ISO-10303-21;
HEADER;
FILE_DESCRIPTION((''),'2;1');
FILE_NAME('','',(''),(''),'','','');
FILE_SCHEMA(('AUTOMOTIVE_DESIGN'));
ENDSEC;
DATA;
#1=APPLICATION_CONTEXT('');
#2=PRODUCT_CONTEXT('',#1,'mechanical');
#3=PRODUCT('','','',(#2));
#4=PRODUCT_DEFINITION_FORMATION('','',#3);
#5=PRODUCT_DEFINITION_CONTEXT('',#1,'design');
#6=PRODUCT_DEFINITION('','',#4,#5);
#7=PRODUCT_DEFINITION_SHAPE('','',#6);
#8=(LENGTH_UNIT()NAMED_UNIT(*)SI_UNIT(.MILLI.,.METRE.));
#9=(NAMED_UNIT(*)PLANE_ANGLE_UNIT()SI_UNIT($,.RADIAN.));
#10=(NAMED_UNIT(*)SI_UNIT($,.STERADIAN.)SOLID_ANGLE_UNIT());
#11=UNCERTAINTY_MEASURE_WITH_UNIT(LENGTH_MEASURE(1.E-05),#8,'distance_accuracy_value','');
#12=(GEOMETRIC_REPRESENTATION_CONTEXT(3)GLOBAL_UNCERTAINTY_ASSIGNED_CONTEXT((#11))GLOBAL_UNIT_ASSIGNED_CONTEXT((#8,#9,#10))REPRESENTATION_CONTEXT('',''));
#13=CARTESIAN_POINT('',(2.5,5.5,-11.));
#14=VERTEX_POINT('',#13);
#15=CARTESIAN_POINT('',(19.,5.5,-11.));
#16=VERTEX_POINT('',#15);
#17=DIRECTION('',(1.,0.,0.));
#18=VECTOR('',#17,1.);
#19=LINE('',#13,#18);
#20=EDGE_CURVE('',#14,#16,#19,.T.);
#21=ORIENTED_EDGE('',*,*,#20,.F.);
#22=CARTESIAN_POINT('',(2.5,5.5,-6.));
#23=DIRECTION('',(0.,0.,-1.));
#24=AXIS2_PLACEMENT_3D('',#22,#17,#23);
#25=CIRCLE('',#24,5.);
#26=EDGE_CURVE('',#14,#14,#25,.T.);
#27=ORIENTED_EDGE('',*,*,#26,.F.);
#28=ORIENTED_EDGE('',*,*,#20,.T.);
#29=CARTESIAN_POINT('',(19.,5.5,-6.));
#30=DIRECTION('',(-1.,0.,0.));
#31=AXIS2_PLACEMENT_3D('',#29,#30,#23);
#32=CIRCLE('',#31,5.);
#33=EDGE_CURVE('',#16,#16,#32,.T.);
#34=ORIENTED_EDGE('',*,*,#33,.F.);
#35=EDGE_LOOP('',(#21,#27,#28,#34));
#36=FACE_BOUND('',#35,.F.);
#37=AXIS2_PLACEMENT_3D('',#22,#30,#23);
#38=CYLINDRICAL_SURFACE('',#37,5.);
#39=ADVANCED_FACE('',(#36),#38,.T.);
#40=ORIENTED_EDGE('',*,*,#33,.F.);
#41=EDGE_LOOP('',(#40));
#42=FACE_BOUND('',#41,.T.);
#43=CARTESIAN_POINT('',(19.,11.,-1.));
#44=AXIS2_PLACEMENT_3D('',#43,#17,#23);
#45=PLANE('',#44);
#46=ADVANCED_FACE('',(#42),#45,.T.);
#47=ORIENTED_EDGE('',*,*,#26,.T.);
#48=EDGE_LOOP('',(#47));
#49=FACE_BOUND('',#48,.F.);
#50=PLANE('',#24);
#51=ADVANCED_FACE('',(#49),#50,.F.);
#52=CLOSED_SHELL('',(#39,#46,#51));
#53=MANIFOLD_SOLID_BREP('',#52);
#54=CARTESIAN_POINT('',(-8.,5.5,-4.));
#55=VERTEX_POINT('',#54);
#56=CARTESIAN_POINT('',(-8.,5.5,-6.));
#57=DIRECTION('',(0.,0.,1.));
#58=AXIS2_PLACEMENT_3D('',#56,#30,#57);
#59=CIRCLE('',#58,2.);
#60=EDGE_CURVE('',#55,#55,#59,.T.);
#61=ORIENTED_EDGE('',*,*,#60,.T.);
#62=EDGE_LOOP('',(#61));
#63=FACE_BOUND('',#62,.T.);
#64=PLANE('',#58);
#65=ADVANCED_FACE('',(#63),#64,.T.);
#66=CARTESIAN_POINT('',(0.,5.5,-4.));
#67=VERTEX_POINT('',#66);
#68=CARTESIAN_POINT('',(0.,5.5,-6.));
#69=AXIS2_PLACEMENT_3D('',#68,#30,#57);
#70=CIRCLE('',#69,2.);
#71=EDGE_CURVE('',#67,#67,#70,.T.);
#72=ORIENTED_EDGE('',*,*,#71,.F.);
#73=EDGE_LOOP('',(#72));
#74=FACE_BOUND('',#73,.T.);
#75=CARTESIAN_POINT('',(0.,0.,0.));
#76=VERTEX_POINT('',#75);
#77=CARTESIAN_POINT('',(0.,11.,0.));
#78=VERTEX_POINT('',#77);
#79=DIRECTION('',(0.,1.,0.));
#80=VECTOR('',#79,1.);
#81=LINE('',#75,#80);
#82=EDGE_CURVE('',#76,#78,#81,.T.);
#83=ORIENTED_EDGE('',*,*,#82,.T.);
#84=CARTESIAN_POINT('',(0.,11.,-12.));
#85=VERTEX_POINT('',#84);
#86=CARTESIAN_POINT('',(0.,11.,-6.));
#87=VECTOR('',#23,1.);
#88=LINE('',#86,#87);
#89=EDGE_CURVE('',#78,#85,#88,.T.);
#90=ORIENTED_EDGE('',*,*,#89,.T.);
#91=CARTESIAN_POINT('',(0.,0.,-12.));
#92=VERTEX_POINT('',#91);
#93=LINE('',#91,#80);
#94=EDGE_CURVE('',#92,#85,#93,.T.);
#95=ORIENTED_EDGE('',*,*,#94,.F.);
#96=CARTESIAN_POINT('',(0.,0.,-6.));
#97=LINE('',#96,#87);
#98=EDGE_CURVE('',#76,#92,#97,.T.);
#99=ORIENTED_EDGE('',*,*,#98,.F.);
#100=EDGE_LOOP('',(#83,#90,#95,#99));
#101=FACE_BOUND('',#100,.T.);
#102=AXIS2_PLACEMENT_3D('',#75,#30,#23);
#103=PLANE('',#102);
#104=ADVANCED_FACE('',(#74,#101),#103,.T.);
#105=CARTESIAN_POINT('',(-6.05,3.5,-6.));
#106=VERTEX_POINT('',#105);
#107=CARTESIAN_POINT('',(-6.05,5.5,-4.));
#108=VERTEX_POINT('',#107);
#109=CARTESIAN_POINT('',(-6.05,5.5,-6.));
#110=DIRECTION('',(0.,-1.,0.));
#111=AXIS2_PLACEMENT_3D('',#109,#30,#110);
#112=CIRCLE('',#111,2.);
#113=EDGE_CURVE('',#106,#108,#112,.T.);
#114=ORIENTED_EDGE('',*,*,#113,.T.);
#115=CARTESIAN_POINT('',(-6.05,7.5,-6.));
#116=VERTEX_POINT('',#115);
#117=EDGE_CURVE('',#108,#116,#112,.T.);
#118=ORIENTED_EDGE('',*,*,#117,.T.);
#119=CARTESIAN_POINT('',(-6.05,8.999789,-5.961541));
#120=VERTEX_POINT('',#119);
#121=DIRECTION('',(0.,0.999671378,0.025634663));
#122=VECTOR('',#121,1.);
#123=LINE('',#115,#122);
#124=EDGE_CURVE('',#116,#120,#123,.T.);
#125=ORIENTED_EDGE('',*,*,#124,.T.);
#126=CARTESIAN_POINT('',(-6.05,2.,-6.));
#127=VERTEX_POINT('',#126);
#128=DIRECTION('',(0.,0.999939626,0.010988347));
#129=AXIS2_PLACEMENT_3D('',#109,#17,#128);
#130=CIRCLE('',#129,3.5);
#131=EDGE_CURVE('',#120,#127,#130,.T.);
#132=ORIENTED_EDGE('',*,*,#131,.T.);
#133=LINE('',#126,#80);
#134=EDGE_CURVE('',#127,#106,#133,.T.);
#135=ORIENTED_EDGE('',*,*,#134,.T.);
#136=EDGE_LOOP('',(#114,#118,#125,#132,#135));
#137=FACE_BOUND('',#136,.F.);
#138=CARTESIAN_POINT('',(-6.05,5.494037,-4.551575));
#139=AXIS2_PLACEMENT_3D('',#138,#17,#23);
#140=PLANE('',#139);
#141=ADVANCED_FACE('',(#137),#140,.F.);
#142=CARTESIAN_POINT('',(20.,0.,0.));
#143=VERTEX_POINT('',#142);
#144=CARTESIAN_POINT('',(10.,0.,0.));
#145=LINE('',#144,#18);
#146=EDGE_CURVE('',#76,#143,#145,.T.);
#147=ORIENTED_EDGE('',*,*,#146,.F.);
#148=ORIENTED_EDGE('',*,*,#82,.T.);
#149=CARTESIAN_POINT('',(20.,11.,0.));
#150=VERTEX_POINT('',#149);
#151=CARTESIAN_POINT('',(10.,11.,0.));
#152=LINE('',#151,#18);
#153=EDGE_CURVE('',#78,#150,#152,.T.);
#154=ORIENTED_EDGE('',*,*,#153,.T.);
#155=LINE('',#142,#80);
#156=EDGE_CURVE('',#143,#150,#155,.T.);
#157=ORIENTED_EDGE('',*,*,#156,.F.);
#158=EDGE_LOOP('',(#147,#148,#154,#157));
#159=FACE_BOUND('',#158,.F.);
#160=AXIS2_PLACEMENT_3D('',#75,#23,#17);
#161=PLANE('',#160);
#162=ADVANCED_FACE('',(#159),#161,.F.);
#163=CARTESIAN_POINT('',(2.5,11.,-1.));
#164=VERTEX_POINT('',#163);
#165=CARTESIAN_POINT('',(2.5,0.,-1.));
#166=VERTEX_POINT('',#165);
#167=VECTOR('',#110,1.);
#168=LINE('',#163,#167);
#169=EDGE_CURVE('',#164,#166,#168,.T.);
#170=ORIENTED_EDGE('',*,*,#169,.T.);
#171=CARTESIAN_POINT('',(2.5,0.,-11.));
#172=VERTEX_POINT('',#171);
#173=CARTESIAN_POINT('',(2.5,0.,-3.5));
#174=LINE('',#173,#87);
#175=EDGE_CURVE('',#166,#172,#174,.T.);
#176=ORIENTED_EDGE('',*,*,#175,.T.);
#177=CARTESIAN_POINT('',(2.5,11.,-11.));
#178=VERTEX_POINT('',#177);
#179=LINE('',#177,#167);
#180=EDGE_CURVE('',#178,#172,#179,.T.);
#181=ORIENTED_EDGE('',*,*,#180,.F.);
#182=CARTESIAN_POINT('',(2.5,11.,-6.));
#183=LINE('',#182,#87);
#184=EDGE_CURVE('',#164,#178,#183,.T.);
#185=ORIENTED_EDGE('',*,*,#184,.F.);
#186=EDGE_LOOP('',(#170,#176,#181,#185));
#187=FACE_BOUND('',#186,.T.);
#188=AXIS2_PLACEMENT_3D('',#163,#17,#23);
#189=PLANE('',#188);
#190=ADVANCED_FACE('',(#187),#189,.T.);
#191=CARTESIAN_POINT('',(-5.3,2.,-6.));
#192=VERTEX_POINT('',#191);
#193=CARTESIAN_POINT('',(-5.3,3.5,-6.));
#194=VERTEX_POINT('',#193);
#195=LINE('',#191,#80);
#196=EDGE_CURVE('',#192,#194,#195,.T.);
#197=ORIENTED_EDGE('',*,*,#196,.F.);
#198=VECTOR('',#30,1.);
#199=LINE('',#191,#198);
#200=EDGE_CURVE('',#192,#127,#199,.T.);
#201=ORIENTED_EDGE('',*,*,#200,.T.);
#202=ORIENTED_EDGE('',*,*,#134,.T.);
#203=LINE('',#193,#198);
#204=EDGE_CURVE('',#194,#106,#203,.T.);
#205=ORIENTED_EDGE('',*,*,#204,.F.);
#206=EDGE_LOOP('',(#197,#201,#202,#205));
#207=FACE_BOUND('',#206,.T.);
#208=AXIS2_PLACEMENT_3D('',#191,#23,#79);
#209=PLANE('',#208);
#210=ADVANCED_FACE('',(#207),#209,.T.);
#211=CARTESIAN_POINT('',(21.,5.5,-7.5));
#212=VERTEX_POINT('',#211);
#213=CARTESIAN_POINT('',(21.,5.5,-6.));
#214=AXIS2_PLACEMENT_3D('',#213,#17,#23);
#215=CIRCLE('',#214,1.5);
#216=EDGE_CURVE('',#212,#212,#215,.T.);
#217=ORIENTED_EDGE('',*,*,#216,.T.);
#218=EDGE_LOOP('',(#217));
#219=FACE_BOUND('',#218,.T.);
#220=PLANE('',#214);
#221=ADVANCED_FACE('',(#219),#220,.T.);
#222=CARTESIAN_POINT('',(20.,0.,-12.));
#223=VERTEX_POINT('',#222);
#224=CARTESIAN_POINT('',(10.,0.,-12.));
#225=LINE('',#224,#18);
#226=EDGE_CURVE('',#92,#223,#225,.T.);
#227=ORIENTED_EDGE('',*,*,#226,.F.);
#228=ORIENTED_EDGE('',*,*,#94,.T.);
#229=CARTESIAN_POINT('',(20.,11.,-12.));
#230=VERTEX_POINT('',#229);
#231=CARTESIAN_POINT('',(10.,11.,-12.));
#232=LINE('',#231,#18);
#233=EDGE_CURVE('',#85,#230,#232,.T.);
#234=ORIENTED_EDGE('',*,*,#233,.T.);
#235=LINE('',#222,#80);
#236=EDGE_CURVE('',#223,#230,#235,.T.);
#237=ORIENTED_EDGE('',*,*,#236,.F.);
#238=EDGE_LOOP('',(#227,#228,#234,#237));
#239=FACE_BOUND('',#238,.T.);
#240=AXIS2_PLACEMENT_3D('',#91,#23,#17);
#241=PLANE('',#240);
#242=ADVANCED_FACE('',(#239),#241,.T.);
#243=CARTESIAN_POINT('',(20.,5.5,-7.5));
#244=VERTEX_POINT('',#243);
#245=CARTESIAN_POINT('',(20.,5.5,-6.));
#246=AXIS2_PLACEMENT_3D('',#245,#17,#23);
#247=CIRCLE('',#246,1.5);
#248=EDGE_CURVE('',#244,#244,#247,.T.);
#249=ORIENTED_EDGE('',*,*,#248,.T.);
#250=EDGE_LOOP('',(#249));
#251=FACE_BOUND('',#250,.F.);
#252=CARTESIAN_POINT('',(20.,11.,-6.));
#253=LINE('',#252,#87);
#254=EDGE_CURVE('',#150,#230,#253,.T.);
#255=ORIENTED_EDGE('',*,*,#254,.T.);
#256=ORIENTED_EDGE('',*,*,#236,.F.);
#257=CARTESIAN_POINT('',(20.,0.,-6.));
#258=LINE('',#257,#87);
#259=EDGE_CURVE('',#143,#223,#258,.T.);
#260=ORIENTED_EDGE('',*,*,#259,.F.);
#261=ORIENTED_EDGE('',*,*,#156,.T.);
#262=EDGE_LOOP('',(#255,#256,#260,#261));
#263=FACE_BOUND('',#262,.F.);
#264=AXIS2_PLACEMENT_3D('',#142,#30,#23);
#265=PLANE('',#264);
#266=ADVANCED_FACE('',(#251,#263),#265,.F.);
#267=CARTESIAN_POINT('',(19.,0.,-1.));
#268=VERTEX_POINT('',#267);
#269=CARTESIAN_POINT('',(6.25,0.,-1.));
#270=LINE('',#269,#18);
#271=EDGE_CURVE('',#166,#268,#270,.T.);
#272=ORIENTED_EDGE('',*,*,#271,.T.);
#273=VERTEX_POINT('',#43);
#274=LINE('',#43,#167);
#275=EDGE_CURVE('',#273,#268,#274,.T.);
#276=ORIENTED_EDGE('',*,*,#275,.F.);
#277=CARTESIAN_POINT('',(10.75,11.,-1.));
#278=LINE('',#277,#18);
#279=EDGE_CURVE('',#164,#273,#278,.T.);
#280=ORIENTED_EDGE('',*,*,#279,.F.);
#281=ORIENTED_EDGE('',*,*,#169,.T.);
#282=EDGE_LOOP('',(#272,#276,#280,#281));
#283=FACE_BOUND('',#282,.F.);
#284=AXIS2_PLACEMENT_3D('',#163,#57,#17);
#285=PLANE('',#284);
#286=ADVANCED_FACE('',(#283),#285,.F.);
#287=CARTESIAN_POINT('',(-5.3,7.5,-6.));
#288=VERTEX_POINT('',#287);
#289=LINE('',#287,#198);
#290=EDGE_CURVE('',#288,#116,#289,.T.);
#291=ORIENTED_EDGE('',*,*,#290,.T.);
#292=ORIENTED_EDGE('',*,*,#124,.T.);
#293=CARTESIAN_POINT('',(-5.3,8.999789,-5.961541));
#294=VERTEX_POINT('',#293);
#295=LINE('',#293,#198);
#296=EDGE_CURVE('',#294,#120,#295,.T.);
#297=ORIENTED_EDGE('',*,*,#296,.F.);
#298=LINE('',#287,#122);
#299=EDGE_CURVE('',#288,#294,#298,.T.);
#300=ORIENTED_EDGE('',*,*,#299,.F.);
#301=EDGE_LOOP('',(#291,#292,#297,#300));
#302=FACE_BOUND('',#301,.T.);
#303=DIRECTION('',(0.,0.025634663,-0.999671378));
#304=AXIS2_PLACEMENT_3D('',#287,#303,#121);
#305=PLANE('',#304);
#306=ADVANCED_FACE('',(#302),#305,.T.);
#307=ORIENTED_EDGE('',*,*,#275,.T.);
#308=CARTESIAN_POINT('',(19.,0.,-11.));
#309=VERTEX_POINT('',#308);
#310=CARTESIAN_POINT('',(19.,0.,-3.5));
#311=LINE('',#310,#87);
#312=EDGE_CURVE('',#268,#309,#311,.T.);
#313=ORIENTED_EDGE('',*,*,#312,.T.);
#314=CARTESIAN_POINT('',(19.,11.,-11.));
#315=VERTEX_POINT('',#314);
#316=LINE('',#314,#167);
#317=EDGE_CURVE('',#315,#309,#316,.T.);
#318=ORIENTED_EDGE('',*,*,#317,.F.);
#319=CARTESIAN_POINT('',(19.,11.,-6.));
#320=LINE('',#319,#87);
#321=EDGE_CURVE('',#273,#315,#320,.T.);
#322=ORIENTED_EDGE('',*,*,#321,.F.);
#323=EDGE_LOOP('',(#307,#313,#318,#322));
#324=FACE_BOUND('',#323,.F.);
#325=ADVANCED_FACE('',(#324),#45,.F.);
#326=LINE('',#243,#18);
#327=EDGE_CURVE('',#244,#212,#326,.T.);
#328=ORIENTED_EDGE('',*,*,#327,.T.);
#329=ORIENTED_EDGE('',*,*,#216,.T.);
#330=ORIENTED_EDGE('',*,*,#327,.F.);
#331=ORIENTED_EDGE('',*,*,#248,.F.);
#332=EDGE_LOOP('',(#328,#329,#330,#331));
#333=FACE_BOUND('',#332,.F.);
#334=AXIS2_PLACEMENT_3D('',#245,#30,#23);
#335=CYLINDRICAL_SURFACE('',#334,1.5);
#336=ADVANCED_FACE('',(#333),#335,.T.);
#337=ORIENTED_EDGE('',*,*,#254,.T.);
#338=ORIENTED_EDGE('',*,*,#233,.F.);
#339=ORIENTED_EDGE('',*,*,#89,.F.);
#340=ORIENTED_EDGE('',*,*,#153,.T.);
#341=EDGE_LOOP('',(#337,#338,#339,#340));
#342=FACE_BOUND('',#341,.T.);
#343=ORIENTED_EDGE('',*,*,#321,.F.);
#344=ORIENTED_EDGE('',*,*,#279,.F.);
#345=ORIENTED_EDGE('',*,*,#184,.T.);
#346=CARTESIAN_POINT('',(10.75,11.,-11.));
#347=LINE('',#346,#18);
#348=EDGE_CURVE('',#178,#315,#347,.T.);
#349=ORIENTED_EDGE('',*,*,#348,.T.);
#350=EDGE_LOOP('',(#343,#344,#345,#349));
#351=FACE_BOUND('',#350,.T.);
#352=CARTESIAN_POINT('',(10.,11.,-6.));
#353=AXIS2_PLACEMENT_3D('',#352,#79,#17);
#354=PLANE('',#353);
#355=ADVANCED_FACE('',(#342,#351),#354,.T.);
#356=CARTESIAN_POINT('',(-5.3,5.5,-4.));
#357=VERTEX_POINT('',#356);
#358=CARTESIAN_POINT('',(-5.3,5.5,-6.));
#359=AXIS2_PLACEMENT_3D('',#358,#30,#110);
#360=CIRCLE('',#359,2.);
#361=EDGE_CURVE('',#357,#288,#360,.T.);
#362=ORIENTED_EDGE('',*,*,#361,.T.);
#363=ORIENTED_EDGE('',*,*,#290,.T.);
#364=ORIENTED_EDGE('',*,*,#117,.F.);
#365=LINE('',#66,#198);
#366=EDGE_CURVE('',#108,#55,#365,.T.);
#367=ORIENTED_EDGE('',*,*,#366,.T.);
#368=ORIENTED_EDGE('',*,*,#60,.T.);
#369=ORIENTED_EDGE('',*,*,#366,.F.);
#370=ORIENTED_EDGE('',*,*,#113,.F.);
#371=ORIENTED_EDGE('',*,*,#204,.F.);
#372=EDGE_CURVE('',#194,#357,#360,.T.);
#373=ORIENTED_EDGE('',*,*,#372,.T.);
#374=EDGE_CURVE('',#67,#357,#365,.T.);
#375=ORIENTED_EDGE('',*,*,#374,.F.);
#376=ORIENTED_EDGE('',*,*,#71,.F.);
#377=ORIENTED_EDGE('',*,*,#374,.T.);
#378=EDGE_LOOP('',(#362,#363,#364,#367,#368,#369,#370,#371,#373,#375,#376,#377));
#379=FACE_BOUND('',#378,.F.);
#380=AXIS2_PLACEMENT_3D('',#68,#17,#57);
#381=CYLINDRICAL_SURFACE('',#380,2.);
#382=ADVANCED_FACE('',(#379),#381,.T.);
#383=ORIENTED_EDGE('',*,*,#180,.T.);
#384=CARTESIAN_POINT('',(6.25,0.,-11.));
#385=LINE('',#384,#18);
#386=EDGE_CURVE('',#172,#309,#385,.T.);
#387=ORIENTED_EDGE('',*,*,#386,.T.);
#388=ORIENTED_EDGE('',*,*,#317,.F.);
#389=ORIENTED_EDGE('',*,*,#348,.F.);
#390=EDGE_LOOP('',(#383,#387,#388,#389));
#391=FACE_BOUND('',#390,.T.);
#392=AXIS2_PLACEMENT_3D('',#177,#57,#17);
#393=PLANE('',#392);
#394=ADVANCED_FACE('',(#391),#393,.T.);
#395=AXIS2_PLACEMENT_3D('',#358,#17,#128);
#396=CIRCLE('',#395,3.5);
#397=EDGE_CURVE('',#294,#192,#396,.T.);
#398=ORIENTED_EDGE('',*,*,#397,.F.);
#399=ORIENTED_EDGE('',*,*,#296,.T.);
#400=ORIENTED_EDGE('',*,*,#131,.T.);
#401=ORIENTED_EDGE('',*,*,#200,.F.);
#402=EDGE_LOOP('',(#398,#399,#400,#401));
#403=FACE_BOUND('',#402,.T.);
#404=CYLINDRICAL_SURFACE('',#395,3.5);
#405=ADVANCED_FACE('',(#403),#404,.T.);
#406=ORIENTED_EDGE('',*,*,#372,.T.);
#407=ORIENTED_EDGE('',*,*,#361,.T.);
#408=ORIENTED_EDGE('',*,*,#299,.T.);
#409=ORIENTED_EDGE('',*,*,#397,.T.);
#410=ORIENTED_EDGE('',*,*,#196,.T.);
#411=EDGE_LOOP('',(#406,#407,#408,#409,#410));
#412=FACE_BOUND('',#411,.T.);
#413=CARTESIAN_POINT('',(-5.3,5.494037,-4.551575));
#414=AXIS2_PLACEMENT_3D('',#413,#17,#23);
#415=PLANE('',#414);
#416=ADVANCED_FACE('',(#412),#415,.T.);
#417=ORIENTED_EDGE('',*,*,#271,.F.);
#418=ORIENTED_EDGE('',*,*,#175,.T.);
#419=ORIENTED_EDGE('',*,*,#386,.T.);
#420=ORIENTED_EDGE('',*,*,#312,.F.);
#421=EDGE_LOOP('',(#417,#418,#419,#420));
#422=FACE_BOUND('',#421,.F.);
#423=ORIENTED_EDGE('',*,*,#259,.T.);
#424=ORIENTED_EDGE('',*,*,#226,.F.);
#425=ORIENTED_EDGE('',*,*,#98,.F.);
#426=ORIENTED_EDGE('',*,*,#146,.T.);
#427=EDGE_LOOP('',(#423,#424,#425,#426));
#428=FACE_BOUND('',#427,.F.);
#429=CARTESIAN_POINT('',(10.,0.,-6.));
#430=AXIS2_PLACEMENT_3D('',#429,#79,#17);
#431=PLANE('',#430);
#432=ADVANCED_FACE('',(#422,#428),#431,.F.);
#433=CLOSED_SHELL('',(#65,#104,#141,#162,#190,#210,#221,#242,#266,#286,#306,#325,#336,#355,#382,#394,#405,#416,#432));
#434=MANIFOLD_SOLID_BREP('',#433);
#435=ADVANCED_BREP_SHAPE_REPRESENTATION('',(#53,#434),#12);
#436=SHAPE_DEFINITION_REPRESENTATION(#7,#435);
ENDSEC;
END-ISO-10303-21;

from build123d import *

# Parameters (mm, degrees)
SKETCH1_W           = 20
SKETCH1_H           = 12
BOSS_EXTRUDE1_DEPTH = 11
SKETCH3_W           = 16.5
SKETCH3_H           = 10
CUT_EXTRUDE1_DEPTH  = 12
BOSS_EXTRUDE3_REACH = 19.5
SKETCH4_R           = 5
SKETCH5_R           = 2
BOSS_EXTRUDE4_DEPTH = 8
SKETCH6_R           = 1.5
BOSS_EXTRUDE5_DEPTH = 1
BOSS_EXTRUDE6_DEPTH = 0.75


with BuildPart() as part:
    # Sketch1 → Boss-Extrude1 (new body)
    with BuildSketch(Plane(origin=(0, 0, 0), x_dir=(1, 0, 0), z_dir=(0, 1, 0))):
        with Locations((10, 6)):
            Rectangle(SKETCH1_W, SKETCH1_H)
    extrude(amount=BOSS_EXTRUDE1_DEPTH)

    # Sketch3 → Cut-Extrude1 (cut, through all)
    with BuildSketch(Plane(origin=(0, 11, 0), x_dir=(1, 0, 0), z_dir=(0, 1, 0))):
        with Locations((10.75, 6)):
            Rectangle(SKETCH3_W, SKETCH3_H)
    extrude(amount=-CUT_EXTRUDE1_DEPTH, mode=Mode.SUBTRACT)


with BuildPart() as body_2:

    # Sketch4 → Boss-Extrude3 (new body, up to next)
    with BuildSketch(Plane(origin=(2.5, 0, 0), x_dir=(0, 0, -1), z_dir=(1, 0, 0)), mode=Mode.PRIVATE) as boss_extrude3_sk1:
        with Locations((6, 5.5)):
            Circle(SKETCH4_R)
    boss_extrude3_tool1 = extrude(boss_extrude3_sk1.sketch, amount=BOSS_EXTRUDE3_REACH, mode=Mode.PRIVATE) - part.part
    add(boss_extrude3_tool1.solids().sort_by_distance((2.5, 5.5, -6))[0])


with BuildPart() as part_1:
    add(part.part)

    # Sketch5 → Boss-Extrude4 (add)
    with BuildSketch(Plane.ZY):
        with Locations((-6, 5.5)):
            Circle(SKETCH5_R)
    extrude(amount=BOSS_EXTRUDE4_DEPTH)

    # Sketch6 → Boss-Extrude5 (add)
    with BuildSketch(Plane(origin=(20, 0, 0), x_dir=(0, 0, -1), z_dir=(1, 0, 0))):
        with Locations((6, 5.5)):
            Circle(SKETCH6_R)
    extrude(amount=BOSS_EXTRUDE5_DEPTH)

    # Sketch7 → Boss-Extrude6 (add)
    with BuildSketch(Plane.ZY.offset(5.3)):
        with BuildLine():
            Line((-6, 7.5), (-5.961540784, 8.999788692))
            ThreePointArc((-5.961540784, 8.999788692), (-2.500052827, 5.480770102), (-6, 2))
            Line((-6, 2), (-6, 3.5))
            ThreePointArc((-6, 3.5), (-4, 5.5), (-6, 7.5))
        make_face()
    extrude(amount=BOSS_EXTRUDE6_DEPTH)


solid = Compound([body_2.part, part_1.part])
